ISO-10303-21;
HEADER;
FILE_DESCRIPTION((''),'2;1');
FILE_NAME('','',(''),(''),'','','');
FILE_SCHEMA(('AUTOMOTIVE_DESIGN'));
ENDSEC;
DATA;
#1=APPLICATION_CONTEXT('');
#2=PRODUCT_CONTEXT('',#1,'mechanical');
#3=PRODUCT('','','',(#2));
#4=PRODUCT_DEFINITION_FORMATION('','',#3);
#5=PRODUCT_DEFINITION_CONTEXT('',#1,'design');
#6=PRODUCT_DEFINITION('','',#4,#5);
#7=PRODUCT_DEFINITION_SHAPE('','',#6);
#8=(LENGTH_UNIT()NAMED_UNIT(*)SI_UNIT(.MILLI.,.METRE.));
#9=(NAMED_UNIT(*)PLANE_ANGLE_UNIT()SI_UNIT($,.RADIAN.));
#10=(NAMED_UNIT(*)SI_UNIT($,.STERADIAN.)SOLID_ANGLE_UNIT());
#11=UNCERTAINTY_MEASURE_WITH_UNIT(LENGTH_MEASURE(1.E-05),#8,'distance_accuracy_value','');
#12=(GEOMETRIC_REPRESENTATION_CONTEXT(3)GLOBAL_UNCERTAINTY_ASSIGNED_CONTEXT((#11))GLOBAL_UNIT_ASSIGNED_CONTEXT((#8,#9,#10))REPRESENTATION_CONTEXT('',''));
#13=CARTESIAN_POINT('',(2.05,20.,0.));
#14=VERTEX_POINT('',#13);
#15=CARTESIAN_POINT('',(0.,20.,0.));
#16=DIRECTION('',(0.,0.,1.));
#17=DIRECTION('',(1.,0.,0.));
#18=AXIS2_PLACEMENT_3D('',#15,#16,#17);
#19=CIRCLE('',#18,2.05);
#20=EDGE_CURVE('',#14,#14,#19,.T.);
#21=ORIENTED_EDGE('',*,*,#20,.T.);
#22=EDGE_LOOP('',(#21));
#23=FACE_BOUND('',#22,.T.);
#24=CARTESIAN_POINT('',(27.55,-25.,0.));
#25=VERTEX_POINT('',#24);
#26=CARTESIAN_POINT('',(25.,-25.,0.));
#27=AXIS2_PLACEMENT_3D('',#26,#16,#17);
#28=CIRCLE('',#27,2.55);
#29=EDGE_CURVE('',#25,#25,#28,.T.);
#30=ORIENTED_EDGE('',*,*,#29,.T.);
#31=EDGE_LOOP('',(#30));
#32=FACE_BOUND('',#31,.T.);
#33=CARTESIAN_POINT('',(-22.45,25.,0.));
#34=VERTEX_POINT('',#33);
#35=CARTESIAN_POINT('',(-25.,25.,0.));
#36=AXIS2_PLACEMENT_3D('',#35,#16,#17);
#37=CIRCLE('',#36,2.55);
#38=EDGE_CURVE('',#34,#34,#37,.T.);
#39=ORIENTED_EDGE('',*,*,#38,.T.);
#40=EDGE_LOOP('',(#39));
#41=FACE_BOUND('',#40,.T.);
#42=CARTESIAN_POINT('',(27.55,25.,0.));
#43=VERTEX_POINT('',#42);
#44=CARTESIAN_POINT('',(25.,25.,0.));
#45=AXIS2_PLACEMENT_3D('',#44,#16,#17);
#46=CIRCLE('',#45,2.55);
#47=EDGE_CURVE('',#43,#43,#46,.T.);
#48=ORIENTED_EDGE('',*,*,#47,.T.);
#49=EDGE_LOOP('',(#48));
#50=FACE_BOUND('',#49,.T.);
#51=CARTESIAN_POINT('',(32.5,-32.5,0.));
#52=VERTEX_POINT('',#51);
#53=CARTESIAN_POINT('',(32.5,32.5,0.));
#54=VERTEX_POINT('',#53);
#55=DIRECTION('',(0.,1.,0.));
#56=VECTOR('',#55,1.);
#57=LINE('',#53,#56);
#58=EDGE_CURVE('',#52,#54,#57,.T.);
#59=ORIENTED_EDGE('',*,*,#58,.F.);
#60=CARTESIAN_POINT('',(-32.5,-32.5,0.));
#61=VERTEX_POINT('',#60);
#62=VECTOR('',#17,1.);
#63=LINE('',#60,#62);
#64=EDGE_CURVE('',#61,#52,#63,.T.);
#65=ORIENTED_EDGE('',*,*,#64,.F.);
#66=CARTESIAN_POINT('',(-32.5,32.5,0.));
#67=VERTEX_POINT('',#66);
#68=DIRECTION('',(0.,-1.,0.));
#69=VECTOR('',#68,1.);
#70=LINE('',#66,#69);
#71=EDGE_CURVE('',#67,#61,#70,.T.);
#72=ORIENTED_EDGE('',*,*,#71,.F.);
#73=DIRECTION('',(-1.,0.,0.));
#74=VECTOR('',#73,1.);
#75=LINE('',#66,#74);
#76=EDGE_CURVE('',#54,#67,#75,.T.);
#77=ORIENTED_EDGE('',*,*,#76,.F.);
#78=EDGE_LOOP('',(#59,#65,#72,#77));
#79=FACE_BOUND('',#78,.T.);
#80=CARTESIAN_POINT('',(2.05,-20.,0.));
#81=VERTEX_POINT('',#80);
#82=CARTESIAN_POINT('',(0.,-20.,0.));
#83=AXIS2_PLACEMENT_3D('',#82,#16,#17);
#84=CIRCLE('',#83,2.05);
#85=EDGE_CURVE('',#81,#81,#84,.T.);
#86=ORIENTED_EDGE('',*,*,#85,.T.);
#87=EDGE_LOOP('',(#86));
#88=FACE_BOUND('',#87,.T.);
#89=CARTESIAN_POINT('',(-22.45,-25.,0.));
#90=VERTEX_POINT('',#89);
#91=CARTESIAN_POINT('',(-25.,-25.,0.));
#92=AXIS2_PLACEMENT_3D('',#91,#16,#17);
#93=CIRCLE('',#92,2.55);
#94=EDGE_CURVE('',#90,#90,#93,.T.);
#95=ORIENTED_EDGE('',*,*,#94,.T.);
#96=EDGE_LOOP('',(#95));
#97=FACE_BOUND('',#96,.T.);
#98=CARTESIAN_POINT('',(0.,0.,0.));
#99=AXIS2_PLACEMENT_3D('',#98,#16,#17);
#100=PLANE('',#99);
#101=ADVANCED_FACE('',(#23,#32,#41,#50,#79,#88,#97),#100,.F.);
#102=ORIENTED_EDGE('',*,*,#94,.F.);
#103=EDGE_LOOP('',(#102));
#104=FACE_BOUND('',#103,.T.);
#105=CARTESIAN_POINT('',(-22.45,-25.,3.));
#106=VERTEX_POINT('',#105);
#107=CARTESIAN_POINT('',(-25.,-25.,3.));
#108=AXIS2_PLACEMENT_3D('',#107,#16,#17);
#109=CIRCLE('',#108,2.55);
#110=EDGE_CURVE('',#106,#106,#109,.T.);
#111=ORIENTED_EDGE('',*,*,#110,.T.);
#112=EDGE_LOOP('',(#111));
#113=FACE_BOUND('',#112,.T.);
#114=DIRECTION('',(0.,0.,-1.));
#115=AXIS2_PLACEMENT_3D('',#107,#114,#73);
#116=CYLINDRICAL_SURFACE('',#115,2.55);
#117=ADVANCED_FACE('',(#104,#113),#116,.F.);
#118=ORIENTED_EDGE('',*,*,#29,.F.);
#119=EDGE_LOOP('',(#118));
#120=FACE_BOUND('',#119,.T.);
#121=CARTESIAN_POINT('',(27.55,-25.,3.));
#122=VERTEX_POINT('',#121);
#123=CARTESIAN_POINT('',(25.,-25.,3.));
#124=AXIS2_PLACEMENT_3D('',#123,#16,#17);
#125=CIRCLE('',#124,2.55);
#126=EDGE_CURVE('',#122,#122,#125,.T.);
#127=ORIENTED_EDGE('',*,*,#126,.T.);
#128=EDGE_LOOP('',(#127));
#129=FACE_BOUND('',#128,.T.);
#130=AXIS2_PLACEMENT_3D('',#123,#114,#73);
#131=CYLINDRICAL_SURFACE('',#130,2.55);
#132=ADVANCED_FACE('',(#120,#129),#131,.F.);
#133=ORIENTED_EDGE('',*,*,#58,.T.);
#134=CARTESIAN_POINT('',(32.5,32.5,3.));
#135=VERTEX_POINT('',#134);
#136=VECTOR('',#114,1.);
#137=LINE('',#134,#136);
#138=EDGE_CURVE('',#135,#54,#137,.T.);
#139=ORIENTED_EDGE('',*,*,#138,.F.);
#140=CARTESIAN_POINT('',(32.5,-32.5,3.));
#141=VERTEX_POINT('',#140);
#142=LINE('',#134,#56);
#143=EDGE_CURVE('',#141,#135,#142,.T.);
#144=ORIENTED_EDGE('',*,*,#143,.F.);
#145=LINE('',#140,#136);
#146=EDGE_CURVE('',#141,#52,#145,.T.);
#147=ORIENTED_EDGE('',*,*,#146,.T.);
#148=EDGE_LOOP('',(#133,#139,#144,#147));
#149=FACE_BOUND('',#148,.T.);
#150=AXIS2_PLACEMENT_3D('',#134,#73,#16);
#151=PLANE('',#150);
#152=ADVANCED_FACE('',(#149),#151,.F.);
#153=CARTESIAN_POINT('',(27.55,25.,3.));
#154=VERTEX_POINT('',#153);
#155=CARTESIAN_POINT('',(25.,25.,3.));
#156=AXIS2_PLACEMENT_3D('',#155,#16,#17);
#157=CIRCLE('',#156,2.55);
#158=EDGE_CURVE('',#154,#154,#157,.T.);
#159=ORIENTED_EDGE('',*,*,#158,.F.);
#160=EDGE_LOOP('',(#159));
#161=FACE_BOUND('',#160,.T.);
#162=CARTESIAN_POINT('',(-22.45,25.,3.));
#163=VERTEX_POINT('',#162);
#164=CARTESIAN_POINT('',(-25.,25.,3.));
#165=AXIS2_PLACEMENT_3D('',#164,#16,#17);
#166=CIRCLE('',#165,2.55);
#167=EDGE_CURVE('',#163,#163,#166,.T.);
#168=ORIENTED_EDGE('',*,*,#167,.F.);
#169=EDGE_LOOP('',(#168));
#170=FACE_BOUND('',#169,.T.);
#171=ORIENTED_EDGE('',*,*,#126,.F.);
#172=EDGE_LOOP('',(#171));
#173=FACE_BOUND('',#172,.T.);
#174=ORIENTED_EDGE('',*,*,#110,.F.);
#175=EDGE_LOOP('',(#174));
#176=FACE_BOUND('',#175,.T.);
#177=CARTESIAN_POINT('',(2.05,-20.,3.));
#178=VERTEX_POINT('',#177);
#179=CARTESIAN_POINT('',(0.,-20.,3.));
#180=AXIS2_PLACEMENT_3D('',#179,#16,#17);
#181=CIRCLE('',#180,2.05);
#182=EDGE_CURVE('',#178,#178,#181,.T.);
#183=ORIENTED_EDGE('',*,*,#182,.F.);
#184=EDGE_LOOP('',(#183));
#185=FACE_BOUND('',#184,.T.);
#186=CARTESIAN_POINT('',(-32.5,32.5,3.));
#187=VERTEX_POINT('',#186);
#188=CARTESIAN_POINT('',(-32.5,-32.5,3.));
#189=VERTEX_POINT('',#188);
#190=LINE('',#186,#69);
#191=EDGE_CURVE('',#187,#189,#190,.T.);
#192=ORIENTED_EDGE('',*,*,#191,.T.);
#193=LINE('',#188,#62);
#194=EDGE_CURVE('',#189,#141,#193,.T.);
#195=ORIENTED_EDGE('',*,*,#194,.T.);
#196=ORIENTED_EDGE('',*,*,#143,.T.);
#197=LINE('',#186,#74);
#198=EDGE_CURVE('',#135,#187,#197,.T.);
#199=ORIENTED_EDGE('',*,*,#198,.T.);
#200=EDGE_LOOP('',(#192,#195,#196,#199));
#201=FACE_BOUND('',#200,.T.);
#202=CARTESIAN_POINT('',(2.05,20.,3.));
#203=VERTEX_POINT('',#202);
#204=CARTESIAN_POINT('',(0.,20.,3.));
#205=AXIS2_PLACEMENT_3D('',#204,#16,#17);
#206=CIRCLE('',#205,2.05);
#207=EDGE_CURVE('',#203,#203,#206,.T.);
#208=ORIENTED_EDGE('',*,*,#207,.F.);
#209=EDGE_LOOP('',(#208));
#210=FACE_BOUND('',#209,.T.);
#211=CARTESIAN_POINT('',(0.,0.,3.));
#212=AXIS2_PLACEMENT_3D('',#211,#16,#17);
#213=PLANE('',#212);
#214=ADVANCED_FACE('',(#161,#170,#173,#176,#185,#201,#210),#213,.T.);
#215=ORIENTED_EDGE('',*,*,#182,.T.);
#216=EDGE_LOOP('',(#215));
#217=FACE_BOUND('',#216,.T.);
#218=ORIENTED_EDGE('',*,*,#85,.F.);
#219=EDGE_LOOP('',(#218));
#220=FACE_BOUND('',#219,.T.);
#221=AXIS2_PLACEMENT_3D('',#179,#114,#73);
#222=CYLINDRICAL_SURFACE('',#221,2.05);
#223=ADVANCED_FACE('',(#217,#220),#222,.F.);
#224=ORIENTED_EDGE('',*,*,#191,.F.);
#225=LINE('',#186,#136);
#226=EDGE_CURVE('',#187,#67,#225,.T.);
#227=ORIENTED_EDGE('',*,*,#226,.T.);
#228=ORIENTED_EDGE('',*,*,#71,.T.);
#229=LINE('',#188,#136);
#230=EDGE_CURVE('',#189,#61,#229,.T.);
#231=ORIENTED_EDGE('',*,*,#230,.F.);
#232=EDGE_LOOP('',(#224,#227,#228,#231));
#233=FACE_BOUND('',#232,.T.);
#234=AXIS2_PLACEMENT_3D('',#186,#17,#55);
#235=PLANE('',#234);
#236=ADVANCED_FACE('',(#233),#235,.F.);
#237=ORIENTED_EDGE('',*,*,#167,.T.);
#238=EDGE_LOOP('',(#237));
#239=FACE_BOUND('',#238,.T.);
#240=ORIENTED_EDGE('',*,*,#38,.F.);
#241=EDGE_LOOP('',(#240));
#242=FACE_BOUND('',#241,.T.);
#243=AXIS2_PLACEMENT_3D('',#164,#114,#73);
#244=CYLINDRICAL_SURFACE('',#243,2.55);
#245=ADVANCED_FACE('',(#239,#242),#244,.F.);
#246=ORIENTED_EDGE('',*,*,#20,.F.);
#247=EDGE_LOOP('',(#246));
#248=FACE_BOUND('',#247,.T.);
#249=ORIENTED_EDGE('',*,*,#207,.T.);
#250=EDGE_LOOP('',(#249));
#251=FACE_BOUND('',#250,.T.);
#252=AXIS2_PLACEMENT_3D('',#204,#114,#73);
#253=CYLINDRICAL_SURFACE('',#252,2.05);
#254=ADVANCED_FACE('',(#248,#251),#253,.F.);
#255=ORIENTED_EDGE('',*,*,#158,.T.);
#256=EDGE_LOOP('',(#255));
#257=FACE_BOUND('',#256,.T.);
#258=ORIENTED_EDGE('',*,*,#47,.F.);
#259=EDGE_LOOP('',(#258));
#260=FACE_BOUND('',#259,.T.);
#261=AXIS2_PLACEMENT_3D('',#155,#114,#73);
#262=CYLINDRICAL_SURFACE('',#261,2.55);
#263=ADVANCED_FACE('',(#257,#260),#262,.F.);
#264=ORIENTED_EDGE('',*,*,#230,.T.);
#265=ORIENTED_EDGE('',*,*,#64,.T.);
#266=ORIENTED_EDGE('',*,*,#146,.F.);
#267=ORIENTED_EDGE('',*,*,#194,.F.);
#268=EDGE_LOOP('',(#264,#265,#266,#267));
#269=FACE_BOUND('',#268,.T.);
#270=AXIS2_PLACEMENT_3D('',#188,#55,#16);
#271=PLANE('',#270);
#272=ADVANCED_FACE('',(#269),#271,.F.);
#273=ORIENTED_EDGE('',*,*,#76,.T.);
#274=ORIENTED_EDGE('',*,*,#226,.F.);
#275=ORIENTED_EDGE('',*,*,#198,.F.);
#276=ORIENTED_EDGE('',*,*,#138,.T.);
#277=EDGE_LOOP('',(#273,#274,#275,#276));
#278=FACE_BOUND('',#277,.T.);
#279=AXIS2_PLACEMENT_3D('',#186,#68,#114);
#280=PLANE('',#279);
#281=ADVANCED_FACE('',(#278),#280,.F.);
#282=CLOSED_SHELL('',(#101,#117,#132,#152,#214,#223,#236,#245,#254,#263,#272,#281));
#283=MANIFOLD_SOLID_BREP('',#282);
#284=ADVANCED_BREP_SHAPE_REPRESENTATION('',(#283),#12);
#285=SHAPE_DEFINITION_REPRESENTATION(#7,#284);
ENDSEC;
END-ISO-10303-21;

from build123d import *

# Parameters (mm, degrees)
SKETCH1_W           = 65
SKETCH1_H           = 65
SKETCH1_R           = 2.55
SKETCH1_R_2         = 2.05
BOSS_EXTRUDE1_DEPTH = 3


with BuildPart() as part:
    # Sketch1 → Boss-Extrude1 (new body)
    with BuildSketch(Plane.XY):
        Rectangle(SKETCH1_W, SKETCH1_H)
        with Locations((-25, 25)):
            Circle(SKETCH1_R, mode=Mode.SUBTRACT)
        with Locations((25, 25)):
            Circle(SKETCH1_R, mode=Mode.SUBTRACT)
        with Locations((-25, -25)):
            Circle(SKETCH1_R, mode=Mode.SUBTRACT)
        with Locations((25, -25)):
            Circle(SKETCH1_R, mode=Mode.SUBTRACT)
        with Locations((0, 20)):
            Circle(SKETCH1_R_2, mode=Mode.SUBTRACT)
        with Locations((0, -20)):
            Circle(SKETCH1_R_2, mode=Mode.SUBTRACT)
    extrude(amount=BOSS_EXTRUDE1_DEPTH)


solid = part.part
